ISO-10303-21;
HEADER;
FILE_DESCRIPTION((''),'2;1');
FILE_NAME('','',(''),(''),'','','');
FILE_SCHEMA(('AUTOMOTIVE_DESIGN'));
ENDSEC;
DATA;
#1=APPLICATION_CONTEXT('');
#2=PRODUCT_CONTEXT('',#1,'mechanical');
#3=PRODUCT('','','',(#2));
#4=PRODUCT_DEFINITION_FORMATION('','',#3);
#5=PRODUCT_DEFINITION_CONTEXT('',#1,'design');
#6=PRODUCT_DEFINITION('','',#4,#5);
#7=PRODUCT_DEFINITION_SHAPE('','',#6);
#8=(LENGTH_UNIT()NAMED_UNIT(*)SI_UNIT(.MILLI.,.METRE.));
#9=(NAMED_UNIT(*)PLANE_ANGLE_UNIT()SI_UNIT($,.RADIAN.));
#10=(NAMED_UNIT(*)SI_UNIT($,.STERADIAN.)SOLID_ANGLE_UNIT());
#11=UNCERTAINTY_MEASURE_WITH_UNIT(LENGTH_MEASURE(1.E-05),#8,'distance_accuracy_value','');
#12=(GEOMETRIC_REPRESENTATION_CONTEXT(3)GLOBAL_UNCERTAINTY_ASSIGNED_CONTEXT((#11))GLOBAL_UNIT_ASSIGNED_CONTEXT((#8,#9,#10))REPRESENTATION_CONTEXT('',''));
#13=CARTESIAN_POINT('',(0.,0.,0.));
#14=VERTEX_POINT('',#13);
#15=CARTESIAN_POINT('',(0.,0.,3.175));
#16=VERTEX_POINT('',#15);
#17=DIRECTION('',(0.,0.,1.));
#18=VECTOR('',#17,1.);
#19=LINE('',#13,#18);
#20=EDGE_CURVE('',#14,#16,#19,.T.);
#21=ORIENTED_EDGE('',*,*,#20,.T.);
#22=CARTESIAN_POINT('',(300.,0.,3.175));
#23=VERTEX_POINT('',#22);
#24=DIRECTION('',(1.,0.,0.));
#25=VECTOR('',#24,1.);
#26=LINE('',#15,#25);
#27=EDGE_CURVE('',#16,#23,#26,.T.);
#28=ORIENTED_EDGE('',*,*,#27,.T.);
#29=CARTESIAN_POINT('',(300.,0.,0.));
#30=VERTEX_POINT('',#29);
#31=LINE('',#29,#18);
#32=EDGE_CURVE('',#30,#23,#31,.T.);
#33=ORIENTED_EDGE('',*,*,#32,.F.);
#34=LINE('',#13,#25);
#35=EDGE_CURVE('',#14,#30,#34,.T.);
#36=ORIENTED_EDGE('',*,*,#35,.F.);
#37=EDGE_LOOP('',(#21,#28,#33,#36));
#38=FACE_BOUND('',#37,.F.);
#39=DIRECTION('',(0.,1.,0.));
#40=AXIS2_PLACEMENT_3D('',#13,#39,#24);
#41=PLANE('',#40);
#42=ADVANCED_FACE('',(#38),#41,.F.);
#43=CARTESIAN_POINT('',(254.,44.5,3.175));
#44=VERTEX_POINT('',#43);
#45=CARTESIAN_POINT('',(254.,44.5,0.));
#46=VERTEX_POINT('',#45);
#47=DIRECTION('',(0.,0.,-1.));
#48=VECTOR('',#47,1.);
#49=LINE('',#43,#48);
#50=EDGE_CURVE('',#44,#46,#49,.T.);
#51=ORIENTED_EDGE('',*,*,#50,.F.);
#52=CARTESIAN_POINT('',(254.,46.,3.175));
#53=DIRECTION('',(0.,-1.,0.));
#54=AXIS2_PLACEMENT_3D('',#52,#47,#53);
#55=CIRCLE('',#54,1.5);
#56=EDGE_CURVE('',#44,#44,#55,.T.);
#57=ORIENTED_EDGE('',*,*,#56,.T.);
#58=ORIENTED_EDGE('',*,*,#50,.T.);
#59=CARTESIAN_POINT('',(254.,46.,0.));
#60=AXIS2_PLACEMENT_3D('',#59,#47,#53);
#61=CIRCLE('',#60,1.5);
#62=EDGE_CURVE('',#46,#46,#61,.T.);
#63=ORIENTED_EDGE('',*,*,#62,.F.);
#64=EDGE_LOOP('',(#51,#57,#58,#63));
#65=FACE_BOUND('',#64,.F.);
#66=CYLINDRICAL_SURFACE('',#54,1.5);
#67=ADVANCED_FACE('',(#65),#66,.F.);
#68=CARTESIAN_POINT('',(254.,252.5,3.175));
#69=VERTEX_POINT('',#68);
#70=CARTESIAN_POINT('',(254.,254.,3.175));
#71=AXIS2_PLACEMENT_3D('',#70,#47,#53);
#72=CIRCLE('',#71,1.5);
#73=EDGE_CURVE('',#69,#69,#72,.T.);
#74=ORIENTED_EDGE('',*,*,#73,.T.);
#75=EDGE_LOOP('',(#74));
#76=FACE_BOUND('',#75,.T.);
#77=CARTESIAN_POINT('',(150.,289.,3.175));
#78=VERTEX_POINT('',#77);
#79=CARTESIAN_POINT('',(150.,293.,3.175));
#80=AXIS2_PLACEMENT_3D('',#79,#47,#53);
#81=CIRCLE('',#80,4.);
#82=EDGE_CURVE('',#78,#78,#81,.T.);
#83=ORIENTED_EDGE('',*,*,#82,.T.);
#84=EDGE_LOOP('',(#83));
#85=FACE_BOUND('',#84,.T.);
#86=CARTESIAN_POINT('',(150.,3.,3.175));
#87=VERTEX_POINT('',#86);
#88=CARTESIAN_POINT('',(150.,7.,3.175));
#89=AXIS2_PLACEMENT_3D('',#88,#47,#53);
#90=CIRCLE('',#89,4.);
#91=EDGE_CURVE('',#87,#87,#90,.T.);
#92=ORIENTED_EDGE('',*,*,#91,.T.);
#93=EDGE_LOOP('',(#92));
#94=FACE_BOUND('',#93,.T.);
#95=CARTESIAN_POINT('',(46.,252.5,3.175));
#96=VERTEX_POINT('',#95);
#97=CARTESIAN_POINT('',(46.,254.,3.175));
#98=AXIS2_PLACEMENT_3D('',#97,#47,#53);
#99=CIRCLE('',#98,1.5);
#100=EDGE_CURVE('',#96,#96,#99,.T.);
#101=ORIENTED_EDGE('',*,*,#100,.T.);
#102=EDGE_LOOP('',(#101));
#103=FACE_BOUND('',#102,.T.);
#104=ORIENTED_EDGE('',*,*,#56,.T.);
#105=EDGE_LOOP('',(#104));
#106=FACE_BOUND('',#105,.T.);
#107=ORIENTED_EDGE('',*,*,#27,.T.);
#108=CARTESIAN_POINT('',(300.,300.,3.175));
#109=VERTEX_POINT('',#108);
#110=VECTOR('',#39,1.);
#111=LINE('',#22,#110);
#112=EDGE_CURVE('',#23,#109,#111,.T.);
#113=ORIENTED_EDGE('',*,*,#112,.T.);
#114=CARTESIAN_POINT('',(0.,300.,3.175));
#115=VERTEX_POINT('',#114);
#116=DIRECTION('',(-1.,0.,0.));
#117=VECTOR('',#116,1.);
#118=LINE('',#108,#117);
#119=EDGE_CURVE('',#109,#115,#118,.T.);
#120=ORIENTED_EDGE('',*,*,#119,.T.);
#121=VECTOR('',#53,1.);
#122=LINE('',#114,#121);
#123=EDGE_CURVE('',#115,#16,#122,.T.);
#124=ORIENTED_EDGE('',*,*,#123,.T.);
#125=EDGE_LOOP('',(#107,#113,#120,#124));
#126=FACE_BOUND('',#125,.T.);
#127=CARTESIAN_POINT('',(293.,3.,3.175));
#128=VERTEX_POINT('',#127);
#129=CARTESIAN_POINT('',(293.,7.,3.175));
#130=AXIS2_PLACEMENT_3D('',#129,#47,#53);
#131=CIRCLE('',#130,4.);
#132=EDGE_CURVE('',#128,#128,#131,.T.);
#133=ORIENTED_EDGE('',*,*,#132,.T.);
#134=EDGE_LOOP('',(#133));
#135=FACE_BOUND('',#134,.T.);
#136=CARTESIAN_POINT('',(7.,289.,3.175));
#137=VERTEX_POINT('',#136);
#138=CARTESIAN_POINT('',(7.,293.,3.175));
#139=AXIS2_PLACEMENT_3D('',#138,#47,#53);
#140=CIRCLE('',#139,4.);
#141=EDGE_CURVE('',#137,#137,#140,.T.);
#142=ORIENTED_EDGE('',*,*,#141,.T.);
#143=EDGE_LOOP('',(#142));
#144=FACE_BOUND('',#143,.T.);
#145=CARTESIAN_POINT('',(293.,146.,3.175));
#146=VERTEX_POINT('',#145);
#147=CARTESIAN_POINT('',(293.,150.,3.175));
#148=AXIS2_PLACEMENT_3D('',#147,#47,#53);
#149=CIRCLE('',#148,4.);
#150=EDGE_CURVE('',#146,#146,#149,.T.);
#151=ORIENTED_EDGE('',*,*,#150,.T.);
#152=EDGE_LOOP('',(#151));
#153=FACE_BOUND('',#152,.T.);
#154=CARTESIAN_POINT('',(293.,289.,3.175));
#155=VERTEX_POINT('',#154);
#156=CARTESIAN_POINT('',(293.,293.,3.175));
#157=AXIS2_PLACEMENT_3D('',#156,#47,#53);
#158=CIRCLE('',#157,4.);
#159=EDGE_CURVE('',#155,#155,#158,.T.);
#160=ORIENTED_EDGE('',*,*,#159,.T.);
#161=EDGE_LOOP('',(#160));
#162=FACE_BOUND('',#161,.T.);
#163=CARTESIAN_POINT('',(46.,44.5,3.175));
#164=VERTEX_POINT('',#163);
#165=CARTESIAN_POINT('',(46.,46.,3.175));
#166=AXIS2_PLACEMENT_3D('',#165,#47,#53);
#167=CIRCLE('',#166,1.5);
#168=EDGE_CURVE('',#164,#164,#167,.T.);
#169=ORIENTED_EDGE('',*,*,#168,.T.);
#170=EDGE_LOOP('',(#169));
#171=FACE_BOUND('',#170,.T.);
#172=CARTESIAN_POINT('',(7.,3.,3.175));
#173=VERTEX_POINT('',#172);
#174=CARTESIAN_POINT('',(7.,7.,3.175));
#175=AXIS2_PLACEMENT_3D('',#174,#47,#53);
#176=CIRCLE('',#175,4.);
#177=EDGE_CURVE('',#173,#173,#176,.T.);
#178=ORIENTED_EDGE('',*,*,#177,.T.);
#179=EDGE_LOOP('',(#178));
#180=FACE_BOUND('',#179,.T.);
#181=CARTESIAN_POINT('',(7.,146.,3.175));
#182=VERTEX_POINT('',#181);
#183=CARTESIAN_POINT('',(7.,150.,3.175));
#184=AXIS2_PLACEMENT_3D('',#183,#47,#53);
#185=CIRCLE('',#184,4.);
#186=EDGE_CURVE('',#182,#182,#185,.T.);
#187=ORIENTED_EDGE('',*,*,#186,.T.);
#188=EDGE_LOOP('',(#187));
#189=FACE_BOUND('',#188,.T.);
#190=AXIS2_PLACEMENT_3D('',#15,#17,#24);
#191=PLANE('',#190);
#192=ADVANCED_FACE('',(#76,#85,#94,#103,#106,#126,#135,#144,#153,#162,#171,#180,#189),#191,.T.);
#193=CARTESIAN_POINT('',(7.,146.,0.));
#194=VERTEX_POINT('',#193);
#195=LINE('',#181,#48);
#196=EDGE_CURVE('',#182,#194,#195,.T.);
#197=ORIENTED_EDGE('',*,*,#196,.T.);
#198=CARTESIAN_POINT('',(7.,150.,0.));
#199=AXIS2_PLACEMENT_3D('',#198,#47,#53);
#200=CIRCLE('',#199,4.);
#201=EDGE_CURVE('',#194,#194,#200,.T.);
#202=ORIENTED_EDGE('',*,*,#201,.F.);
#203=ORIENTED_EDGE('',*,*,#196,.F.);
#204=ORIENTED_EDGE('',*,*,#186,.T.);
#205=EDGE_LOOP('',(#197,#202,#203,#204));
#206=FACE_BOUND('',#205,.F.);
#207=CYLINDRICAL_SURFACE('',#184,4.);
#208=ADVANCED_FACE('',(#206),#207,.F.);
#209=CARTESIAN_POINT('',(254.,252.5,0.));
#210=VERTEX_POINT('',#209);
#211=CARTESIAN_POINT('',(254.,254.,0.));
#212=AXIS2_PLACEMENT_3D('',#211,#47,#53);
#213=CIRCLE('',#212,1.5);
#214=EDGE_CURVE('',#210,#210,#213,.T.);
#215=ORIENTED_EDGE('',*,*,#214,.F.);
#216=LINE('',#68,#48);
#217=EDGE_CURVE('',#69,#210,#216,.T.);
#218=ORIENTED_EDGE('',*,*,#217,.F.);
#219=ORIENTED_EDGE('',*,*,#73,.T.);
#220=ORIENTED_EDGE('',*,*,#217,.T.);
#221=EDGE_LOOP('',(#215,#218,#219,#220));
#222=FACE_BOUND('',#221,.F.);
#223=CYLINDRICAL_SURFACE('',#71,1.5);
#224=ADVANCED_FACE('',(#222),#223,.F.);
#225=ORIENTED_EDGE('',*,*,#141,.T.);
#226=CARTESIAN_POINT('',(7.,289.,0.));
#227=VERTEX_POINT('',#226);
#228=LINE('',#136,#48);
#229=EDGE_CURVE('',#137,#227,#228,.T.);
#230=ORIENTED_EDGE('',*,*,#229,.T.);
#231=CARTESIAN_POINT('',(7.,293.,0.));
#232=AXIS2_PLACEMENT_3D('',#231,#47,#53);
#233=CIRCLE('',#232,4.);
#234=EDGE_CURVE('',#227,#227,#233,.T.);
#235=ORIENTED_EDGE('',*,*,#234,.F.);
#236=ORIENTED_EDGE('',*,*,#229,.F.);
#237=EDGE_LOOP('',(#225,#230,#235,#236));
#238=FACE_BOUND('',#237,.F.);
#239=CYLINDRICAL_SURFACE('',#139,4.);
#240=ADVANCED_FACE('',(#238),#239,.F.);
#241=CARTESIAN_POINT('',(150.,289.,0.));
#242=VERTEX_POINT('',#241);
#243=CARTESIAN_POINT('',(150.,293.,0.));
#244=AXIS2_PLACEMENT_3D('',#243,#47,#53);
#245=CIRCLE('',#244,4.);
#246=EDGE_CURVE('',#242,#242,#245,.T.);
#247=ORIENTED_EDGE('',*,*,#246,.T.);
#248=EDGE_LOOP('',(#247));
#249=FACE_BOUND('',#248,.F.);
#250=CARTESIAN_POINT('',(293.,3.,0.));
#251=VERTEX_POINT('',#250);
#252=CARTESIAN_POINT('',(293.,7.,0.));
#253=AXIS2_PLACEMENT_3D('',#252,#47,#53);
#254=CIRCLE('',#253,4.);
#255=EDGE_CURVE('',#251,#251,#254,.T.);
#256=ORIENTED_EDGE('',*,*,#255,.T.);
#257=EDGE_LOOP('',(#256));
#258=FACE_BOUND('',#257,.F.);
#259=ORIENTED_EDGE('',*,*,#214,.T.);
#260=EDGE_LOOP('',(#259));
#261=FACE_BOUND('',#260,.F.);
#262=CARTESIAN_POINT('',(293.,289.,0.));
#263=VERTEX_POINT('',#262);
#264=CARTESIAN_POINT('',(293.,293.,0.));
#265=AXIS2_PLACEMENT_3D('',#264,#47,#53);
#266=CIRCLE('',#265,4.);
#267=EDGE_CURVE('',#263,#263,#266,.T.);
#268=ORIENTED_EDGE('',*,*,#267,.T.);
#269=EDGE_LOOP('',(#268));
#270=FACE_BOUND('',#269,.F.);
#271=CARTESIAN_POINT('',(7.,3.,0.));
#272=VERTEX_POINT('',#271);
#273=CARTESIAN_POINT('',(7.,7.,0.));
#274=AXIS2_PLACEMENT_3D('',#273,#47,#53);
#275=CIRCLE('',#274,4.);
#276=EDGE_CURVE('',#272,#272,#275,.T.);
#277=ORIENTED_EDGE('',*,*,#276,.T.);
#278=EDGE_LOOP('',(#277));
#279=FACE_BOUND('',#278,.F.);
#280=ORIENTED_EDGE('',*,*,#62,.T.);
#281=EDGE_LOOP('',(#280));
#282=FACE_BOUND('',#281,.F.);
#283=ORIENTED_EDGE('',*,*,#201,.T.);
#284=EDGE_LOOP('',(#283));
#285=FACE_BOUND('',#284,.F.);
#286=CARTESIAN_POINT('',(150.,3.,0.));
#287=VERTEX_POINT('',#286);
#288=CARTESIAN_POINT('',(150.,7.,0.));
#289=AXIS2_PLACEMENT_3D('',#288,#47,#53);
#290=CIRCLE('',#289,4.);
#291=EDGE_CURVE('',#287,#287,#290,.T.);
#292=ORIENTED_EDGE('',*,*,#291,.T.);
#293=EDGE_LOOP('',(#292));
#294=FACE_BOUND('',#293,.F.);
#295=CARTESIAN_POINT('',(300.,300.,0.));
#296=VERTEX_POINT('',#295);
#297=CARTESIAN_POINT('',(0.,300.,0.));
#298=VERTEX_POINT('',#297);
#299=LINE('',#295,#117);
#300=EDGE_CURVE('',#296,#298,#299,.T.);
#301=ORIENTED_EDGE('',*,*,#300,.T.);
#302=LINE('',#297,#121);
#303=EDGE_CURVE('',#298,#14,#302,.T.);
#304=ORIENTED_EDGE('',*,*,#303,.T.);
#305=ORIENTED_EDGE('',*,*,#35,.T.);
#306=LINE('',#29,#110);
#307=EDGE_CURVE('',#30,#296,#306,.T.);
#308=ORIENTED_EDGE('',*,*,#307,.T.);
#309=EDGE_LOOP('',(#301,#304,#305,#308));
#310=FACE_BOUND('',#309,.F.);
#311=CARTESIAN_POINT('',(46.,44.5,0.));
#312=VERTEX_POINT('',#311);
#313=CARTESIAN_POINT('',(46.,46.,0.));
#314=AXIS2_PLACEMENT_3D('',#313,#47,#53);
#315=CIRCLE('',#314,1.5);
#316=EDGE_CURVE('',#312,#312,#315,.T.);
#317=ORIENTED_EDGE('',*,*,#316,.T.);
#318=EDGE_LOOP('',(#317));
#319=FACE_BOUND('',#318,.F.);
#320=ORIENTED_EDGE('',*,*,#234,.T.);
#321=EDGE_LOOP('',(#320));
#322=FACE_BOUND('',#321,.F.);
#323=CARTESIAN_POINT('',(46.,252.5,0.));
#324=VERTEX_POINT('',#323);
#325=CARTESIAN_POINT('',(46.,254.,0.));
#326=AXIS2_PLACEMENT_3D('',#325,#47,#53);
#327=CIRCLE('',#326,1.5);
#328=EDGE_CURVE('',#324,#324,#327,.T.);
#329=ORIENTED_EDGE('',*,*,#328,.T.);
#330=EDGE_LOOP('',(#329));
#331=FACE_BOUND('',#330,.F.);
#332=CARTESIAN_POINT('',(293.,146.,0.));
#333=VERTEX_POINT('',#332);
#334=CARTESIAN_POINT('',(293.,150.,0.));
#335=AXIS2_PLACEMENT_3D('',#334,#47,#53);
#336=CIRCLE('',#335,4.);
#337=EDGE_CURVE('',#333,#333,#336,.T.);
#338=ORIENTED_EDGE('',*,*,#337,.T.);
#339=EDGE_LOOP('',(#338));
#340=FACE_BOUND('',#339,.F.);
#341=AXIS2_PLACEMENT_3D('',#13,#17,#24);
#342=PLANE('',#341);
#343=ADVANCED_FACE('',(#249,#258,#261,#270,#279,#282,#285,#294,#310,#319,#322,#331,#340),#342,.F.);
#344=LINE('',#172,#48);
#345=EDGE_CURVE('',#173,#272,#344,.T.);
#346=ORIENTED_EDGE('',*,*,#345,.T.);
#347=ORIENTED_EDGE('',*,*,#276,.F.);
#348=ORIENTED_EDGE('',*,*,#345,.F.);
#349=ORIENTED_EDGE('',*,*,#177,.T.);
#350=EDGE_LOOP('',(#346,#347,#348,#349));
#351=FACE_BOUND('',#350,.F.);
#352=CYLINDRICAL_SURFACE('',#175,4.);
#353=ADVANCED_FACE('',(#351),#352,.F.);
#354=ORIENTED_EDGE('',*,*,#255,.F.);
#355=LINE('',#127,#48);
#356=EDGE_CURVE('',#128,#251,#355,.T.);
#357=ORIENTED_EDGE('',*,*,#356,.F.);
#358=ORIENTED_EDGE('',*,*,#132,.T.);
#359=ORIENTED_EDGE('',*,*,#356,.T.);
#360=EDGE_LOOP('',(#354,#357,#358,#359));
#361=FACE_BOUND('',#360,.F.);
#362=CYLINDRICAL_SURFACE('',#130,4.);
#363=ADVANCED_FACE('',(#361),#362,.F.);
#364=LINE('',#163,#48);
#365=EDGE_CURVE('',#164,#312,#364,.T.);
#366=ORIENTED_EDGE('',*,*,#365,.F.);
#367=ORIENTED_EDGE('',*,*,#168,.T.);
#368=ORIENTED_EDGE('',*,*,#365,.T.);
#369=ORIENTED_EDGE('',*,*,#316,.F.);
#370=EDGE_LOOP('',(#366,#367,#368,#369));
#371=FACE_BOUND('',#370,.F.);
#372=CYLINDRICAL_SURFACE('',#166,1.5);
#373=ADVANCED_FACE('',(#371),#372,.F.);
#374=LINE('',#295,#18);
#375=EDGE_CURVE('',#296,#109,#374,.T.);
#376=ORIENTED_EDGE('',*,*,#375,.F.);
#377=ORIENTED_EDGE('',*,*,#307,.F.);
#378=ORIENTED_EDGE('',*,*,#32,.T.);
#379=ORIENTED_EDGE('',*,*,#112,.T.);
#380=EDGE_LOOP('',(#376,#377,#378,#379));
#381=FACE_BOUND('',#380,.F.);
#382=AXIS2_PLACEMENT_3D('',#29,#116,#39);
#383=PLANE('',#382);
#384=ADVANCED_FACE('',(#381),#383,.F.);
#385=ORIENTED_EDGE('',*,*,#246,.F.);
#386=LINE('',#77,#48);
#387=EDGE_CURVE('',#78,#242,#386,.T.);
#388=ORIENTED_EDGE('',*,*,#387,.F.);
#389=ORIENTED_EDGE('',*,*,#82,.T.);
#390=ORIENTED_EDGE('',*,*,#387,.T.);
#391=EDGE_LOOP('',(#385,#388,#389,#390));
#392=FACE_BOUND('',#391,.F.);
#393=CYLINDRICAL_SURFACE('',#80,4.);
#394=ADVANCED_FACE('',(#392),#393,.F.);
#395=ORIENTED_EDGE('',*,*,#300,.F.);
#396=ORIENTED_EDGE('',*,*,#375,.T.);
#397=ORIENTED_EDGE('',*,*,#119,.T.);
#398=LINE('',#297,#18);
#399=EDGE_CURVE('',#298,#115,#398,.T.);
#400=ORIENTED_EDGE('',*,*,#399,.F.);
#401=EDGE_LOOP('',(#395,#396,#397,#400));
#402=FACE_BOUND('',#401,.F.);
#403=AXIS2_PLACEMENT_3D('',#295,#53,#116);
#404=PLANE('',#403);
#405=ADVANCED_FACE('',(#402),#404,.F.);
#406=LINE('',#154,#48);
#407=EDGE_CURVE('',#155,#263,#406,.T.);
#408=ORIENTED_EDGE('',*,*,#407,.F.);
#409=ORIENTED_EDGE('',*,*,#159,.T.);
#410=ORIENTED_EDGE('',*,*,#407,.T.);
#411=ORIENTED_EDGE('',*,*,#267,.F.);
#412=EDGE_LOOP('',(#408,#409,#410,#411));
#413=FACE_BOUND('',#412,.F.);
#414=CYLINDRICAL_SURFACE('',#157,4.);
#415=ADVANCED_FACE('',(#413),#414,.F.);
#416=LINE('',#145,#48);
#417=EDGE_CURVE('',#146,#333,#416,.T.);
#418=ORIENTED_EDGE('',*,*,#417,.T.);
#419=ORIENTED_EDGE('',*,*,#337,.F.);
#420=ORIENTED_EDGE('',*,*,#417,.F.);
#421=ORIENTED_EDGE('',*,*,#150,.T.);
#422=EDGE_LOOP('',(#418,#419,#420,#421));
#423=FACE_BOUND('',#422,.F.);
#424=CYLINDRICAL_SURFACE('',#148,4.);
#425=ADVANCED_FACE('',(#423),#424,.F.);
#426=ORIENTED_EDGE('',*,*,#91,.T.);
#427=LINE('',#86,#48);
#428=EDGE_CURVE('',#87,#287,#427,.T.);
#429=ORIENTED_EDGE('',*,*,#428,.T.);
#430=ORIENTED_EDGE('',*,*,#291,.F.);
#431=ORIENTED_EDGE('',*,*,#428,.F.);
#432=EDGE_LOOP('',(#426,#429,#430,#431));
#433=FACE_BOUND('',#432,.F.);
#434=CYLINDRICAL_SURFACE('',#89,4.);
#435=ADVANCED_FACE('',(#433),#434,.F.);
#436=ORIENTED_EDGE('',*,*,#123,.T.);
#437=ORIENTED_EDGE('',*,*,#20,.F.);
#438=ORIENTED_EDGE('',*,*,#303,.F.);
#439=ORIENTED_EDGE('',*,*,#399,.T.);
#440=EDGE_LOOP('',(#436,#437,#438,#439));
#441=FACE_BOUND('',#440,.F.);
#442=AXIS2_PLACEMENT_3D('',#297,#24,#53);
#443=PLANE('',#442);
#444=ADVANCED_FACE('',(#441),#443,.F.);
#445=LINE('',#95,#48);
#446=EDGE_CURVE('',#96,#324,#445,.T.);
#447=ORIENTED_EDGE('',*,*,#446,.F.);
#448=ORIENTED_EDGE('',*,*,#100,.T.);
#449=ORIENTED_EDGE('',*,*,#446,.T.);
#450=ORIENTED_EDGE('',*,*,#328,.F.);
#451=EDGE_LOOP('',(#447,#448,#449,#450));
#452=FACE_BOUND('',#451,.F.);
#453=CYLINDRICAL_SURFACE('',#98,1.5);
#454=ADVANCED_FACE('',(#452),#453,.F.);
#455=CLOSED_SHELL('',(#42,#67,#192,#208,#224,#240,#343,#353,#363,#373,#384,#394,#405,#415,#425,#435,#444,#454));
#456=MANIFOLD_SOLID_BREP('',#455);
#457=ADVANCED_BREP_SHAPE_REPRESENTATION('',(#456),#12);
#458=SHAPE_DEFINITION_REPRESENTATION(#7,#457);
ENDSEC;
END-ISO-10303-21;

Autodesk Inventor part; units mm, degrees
ref_plane "YZ Plane" through (0, 0, 0) normal (1, 0, 0) x (0, 1, 0)
ref_plane "XZ Plane" through (0, 0, 0) normal (0, 1, 0) x (-1, 0, 0)
ref_plane "XY Plane" through (0, 0, 0) normal (0, 0, 1) x (1, 0, 0)
sketch "Sketch1" plane through (0, 0, 0) normal (0, 0, 1) x (1, 0, 0)
  line L0 (0, 0) -> (300, 0)
  line L1 (300, 0) -> (300, 300)
  line L2 (300, 300) -> (0, 300)
  line L3 (0, 300) -> (0, 0)
  dimension "d0" = 300
  dimension "d1" = 300
extrude "Extrusion1" add sketch "Sketch1" along normal blind 3.175
sketch "Sketch2" plane through (0, 0, 3.175) normal (0, 0, 1) x (1, 0, 0)
  line L0 (0, 300) -> (0, 0) projected
  line L1 (300, 300) -> (0, 300) projected
  line L2 (300, 0) -> (300, 300) projected
  line L3 (0, 0) -> (300, 0) projected
  point P0 (7, 293)
  point P1 (293, 293)
  point P2 (293, 7)
  point P3 (7, 7)
  dimension "d4" = 7
  dimension "d5" = 7
  dimension "d6" = 7
  dimension "d7" = 7
  dimension "d8" = 7
  dimension "d9" = 7
  dimension "d10" = 7
  dimension "d11" = 7
hole "Hole1" at (7, 293, 3.175) at (293, 293, 3.175) at (293, 7, 3.175) at (7, 7, 3.175) direction (0, 0, -1) diameter 8 depth 25.4 tip angle 118
sketch "Sketch3" plane through (0, 0, 3.175) normal (0, 0, 1) x (1, 0, 0)
  line L0 (0, 300) -> (0, 0) projected
  line L1 (0, 0) -> (300, 0) projected
  line L2 (300, 0) -> (300, 300) projected
  point P0 (46, 254)
  point P1 (254, 254)
  point P2 (254, 46)
  point P3 (46, 46)
  dimension "d19" = 208
  dimension "d20" = 208
  dimension "d21" = 208
  dimension "d22" = 46
  dimension "d23" = 46
  dimension "d24" = 46
  dimension "d25" = 208
  dimension "d26" = 46
hole "Hole2" at (46, 254, 3.175) at (254, 254, 3.175) at (254, 46, 3.175) at (46, 46, 3.175) direction (0, 0, -1) diameter 3 depth 25.4 tip angle 118
sketch "Sketch4" plane through (0, 0, 3.175) normal (0, 0, 1) x (1, 0, 0)
  line L0 (0, 0) -> (300, 0) projected
  line L1 (0, 300) -> (0, 0) projected
  line L2 (300, 0) -> (300, 300) projected
  line L3 (300, 300) -> (0, 300) projected
  point P0 (150, 7)
  point P1 (293, 150)
  point P2 (150, 293)
  point P3 (7, 150)
  dimension "d34" = 150
  dimension "d35" = 7
  dimension "d36" = 7
  dimension "d37" = 150
  dimension "d38" = 7
  dimension "d39" = 7
  dimension "d40" = 150
  dimension "d41" = 150
hole "Hole3" at (150, 7, 3.175) at (293, 150, 3.175) at (150, 293, 3.175) at (7, 150, 3.175) direction (0, 0, -1) diameter 8 depth 25.4 tip angle 118
properties part number "bed plate square"
